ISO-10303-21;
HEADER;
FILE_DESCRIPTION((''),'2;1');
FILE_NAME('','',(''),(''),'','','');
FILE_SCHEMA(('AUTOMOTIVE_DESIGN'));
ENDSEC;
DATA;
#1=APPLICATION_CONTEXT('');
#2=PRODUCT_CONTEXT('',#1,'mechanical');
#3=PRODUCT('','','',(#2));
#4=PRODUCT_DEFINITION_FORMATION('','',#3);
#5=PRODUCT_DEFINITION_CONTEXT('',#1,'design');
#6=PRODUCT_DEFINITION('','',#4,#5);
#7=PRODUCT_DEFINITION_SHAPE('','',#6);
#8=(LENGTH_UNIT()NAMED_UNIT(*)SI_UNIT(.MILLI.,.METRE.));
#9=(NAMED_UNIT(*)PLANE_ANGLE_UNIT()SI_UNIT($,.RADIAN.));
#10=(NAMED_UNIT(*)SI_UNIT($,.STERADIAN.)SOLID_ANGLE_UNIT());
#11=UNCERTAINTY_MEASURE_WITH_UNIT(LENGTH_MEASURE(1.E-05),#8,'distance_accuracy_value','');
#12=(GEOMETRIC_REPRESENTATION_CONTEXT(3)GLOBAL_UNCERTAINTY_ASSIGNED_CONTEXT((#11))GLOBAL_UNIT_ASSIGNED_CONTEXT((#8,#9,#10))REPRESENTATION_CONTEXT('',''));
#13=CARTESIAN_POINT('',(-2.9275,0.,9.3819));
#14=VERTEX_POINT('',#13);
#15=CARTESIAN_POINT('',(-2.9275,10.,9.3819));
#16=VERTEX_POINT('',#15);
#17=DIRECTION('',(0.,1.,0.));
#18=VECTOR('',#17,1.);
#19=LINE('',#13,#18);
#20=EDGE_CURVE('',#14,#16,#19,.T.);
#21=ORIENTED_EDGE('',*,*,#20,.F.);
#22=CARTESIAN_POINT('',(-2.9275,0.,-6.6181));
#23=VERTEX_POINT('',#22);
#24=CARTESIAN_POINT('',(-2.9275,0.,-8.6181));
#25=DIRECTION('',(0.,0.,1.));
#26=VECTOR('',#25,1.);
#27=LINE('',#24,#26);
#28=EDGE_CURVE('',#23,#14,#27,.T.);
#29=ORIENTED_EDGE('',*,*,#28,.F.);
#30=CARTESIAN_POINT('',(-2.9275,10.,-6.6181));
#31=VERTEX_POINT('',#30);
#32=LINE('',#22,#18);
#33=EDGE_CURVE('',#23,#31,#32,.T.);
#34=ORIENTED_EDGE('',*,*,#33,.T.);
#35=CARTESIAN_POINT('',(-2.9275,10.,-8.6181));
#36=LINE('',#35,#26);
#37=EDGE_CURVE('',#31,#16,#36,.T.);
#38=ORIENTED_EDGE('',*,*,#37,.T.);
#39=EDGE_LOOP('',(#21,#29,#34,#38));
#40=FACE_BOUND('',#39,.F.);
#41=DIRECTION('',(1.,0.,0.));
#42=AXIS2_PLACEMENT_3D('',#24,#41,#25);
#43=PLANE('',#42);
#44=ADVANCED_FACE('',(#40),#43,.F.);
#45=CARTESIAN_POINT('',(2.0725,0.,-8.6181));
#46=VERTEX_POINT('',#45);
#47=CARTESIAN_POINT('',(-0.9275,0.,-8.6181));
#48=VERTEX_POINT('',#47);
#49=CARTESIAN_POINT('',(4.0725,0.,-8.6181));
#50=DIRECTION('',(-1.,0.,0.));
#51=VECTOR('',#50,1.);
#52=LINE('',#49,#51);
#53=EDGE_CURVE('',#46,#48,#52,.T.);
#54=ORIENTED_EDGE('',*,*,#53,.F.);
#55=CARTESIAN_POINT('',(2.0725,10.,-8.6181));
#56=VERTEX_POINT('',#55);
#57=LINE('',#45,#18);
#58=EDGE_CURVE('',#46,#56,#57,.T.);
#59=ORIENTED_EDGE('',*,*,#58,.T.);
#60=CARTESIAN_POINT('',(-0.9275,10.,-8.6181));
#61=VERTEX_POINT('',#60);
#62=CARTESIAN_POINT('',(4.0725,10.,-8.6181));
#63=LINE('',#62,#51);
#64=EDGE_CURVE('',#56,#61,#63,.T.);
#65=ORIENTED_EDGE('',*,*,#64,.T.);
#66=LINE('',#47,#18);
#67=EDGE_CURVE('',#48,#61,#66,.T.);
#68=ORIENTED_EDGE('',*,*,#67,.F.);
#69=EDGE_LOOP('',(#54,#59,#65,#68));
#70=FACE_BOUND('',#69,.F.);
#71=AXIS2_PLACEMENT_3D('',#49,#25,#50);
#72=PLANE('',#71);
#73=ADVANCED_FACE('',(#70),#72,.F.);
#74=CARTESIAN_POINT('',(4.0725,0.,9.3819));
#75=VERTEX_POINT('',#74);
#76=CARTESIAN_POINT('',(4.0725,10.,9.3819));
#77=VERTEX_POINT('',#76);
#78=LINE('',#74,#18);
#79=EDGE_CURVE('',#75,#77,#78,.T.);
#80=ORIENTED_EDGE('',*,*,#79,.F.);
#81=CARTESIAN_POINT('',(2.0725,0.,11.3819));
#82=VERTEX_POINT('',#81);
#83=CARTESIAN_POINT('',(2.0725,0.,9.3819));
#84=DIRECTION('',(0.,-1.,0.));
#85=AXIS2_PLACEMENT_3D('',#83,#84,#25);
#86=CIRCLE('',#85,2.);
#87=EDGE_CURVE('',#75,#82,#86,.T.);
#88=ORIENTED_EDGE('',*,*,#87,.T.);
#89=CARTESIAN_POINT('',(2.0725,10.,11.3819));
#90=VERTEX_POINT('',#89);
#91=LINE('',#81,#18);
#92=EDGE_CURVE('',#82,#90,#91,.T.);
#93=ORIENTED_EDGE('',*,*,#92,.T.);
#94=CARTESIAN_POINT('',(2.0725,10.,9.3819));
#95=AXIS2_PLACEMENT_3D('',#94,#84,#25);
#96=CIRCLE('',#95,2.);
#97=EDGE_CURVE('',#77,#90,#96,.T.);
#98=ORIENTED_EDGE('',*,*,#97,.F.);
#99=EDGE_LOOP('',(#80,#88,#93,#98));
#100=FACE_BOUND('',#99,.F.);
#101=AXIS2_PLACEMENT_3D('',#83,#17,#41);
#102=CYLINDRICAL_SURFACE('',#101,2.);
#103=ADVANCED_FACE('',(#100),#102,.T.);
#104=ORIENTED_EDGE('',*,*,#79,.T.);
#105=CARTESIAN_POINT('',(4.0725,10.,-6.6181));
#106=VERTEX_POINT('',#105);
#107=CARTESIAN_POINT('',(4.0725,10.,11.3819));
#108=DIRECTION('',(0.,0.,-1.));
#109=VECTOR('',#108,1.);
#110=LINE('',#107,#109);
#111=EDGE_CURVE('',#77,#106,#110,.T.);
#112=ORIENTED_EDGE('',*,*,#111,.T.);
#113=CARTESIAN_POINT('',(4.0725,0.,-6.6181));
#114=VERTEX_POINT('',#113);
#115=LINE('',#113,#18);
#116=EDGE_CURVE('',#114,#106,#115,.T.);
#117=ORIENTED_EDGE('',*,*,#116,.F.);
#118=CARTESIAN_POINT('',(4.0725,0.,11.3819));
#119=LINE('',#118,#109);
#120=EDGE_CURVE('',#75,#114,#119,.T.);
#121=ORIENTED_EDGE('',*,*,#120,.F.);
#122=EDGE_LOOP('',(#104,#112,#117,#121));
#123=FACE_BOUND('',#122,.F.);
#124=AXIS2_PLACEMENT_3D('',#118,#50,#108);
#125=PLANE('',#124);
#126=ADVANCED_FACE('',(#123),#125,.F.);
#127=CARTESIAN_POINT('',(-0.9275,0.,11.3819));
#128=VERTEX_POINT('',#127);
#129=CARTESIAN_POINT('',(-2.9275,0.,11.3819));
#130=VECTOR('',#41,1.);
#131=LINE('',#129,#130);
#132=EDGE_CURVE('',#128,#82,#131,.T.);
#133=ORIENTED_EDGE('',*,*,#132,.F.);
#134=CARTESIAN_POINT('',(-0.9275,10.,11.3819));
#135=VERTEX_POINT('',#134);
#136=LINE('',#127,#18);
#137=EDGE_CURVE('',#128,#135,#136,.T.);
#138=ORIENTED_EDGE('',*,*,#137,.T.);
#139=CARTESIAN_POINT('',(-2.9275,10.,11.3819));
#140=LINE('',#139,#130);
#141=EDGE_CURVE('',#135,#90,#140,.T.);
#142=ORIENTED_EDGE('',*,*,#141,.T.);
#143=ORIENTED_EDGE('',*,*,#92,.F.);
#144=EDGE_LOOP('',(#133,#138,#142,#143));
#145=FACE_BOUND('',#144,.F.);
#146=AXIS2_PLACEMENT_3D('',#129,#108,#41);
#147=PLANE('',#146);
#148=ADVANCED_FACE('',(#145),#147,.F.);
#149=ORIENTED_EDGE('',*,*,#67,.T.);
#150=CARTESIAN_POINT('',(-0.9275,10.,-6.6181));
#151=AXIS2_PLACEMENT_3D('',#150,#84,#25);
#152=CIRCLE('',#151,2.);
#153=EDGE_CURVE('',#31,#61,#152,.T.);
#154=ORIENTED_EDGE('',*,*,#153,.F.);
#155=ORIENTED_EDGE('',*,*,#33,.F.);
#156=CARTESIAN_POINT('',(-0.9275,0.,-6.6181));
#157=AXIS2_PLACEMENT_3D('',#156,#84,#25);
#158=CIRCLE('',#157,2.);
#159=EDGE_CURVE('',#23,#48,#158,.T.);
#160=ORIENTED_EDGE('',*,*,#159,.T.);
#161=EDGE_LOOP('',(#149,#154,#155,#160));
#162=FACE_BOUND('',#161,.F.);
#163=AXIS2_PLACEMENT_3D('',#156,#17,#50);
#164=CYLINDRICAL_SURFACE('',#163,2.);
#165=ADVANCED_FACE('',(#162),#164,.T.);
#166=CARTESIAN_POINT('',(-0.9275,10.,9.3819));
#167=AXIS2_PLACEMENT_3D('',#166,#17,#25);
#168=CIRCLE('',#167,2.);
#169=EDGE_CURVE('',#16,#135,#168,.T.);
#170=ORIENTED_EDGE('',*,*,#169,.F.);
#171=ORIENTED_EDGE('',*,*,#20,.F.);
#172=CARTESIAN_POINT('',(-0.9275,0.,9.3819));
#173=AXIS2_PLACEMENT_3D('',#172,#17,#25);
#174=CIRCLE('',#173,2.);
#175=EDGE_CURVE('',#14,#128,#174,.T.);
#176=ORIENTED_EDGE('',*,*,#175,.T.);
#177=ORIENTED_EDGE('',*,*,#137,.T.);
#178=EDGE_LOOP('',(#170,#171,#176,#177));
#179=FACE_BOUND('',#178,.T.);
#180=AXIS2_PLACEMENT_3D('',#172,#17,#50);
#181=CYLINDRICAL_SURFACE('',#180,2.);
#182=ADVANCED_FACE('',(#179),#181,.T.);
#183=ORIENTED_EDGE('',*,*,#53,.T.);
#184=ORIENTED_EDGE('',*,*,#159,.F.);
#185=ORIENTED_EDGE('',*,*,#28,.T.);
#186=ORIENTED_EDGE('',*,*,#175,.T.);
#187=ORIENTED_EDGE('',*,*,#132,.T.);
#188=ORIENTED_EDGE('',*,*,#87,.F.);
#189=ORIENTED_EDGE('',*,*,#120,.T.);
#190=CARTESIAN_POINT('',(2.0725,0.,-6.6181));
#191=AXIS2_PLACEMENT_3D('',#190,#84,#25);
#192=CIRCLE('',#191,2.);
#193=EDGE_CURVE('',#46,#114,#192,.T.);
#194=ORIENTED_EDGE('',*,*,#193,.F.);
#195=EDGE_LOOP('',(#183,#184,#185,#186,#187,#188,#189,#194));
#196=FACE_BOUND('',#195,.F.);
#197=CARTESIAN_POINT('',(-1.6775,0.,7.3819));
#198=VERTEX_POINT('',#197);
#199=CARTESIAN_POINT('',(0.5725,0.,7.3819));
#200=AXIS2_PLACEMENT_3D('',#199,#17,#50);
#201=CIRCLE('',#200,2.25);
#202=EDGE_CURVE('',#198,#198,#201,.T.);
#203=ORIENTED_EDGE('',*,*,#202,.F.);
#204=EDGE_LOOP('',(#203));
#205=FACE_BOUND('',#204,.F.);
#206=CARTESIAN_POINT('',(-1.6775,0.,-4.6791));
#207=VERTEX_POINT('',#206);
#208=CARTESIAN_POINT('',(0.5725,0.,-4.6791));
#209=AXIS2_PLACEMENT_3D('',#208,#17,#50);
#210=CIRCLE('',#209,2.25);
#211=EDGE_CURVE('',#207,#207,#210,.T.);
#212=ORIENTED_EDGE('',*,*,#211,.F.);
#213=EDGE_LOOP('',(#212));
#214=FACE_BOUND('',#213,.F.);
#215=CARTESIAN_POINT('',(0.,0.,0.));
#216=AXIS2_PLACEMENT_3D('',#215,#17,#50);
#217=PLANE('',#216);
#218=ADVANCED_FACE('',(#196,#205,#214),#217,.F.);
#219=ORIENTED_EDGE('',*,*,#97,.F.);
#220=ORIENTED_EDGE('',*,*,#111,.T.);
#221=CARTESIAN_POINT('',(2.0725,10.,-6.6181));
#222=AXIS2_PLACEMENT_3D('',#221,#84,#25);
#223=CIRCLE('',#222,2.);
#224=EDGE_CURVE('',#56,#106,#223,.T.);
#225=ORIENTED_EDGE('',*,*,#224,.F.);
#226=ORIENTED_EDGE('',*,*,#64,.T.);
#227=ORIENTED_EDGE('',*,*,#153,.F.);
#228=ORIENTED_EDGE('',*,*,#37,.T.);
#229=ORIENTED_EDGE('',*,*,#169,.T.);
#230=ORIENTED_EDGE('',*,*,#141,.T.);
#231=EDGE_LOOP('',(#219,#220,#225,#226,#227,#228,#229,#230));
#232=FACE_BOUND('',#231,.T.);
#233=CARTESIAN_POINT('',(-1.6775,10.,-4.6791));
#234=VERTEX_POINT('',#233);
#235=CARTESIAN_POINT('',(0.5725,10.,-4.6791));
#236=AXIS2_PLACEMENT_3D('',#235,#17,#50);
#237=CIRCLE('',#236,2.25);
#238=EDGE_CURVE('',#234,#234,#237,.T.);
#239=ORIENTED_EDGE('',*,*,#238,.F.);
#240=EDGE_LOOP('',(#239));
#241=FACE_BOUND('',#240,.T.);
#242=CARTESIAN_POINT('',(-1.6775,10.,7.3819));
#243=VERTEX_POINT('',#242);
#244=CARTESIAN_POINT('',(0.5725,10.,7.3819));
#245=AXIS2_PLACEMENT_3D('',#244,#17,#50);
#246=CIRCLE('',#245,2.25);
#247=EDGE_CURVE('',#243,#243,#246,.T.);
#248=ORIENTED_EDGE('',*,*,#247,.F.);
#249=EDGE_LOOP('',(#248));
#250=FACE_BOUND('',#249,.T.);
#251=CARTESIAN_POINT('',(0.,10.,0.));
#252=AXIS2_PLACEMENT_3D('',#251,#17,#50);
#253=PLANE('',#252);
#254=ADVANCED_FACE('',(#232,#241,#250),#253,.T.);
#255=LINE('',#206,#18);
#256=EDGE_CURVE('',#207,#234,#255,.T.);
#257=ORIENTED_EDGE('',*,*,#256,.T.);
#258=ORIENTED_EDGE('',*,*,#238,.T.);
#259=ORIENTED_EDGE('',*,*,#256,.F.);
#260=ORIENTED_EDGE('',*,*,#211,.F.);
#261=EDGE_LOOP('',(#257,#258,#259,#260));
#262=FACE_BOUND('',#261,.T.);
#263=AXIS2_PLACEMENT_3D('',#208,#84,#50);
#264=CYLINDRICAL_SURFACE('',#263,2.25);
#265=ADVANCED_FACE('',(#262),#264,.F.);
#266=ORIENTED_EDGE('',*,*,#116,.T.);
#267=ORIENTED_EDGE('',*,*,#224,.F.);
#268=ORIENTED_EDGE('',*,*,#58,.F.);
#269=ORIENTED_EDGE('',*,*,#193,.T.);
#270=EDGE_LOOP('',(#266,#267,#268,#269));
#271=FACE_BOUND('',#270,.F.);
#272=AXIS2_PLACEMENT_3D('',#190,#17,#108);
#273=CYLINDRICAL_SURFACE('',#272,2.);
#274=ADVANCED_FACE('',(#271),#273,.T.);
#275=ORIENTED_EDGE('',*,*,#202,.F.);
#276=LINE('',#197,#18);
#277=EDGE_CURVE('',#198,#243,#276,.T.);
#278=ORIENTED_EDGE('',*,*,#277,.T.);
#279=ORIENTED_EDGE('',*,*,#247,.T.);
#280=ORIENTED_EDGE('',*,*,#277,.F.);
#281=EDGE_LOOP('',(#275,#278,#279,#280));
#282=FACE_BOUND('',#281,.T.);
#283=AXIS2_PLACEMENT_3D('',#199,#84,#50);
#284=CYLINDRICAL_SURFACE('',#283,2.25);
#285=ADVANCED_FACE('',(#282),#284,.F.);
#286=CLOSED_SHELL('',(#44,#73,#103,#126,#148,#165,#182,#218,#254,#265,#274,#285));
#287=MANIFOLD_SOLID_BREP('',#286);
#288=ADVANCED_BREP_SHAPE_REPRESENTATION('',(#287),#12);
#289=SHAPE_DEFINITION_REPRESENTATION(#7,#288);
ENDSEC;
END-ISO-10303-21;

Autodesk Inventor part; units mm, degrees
ref_plane "YZ Plane" through (0, 0, 0) normal (1, 0, 0) x (0, 1, 0)
ref_plane "XZ Plane" through (0, 0, 0) normal (0, 1, 0) x (-1, 0, 0)
ref_plane "XY Plane" through (0, 0, 0) normal (0, 0, 1) x (1, 0, 0)
sketch "Sketch1" plane through (0, 0, 0) normal (0, 1, 0) x (-1, 0, 0)
  circle A0 centre (-0.5725, 7.3819) radius 2.25
  circle A1 centre (-0.5725, -4.6791) radius 2.25
  line L0 (2.9275, 11.3819) -> (-4.0725, 11.3819)
  line L1 (-4.0725, 11.3819) -> (-4.0725, -8.6181)
  line L2 (-4.0725, -8.6181) -> (2.9275, -8.6181)
  line L3 (2.9275, -8.6181) -> (2.9275, 11.3819)
  point P0 (0, 0)
  dimension "d0" = 4.5
  dimension "d1" = 4.5
  dimension "d2" = 12.061
  dimension "d3" = 7
  dimension "d4" = 3.5
  dimension "d5" = 20
  dimension "d6" = 4
extrude "Extrusion1" add sketch "Sketch1" along normal blind 10
fillet "Fillet1" radius 2 4 edges at (-2.9275, 5, 11.3819) (4.0725, 5, 11.3819) (4.0725, 5, -8.6181) (-2.9275, 5, -8.6181)
properties part number "Aparter"
